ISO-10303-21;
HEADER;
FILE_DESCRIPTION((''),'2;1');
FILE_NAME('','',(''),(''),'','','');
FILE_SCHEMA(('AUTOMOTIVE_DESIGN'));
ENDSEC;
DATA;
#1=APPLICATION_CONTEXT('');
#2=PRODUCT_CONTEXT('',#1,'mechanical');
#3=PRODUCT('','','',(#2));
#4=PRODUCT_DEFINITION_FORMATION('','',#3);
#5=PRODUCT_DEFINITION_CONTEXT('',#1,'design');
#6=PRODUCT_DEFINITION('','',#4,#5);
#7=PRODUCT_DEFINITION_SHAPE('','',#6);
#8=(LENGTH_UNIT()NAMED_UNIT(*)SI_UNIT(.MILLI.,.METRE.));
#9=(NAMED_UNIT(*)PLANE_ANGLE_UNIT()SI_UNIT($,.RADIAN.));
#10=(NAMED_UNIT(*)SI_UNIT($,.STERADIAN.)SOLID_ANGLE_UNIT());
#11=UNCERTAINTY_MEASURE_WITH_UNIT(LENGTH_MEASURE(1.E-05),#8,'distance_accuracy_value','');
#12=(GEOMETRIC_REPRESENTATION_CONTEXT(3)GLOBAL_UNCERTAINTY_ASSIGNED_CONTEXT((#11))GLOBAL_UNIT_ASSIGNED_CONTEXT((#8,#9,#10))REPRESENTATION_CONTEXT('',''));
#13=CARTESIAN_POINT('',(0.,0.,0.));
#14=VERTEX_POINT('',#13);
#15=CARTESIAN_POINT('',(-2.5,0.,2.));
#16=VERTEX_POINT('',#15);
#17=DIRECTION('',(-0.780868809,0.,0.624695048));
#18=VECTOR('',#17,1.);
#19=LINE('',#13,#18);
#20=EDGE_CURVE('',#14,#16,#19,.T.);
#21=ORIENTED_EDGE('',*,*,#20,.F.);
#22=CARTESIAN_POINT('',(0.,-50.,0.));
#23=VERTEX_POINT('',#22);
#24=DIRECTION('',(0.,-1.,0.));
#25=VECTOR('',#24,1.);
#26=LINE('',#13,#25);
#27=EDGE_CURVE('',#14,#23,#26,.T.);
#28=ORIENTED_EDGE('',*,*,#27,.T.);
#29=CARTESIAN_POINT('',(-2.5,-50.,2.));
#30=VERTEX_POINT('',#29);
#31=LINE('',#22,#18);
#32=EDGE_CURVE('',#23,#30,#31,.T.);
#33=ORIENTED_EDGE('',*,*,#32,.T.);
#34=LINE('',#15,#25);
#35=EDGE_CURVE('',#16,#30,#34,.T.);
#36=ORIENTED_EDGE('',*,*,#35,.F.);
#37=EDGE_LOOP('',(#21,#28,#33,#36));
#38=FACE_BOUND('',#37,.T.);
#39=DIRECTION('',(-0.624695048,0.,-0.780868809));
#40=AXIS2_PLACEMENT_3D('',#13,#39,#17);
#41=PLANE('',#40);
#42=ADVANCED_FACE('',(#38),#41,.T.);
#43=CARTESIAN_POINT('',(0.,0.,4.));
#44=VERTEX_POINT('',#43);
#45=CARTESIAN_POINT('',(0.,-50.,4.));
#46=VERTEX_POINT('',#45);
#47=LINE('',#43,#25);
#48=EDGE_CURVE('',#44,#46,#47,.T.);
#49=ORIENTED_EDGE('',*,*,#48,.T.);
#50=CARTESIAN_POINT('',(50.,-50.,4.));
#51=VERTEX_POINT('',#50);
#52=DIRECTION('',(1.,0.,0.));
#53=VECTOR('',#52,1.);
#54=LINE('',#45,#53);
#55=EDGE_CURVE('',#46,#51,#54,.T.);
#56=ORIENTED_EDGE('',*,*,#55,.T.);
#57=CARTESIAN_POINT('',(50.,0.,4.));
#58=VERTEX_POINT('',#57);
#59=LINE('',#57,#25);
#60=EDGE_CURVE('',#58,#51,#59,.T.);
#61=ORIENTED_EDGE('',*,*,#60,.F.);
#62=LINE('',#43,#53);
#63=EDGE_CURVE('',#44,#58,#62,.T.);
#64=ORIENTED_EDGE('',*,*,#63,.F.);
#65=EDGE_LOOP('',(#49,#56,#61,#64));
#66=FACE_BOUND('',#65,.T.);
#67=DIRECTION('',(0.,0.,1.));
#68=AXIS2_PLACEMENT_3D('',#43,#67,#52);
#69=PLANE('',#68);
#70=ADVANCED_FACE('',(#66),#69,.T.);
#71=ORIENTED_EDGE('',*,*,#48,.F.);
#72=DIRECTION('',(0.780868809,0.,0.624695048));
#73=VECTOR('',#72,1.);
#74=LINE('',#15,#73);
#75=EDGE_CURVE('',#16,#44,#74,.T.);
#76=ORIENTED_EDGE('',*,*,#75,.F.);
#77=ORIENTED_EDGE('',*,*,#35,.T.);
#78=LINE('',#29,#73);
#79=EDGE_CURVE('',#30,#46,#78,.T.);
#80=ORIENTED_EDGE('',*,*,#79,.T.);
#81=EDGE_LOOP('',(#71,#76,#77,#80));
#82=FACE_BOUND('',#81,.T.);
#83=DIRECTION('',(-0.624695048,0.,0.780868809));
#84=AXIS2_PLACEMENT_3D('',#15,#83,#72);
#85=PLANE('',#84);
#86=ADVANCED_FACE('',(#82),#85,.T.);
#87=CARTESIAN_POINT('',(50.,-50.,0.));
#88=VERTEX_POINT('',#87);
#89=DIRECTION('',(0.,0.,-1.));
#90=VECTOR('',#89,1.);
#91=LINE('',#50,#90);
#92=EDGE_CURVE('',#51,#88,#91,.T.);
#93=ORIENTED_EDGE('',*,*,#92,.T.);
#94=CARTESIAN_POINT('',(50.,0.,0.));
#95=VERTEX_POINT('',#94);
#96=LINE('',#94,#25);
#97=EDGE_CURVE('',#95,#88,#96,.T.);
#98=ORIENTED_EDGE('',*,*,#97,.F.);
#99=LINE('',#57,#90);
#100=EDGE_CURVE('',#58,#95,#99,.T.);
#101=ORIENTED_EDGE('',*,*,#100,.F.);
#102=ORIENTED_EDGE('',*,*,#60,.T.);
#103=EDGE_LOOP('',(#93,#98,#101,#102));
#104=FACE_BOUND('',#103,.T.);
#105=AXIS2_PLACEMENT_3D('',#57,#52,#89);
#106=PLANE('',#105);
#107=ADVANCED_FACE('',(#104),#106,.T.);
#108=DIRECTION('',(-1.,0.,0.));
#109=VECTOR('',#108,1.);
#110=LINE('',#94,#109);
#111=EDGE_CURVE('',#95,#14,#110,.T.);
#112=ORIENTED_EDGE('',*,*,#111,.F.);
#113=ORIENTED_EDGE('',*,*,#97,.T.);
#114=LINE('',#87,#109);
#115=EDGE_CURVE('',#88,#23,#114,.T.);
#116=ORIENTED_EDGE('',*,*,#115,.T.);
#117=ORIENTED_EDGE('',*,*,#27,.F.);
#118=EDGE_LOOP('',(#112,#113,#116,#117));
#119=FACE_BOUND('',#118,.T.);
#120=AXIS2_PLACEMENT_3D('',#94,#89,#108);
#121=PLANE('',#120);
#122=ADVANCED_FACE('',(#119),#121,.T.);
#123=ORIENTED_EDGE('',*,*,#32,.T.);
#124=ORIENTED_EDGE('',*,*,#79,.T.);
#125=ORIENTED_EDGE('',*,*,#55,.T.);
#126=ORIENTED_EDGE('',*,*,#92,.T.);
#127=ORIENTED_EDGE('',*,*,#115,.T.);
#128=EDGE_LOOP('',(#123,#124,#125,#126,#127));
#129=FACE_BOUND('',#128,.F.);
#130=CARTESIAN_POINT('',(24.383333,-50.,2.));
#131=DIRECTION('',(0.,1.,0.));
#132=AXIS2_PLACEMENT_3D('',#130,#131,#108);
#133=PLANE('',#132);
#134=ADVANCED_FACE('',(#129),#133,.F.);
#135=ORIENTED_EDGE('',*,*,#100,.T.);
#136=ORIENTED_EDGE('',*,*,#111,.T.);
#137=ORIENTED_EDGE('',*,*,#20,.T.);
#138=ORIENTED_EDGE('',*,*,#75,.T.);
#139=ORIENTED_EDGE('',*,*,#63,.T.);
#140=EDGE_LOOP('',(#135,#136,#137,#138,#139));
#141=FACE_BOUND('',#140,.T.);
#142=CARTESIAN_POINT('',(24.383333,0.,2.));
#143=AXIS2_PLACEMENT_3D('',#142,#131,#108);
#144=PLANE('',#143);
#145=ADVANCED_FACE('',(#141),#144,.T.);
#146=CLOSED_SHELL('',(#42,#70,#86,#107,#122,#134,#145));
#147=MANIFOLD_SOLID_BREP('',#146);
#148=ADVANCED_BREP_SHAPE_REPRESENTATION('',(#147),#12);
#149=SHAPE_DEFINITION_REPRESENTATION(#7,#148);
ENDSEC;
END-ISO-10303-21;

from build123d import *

# Parameters (mm, degrees)
PAD_DEPTH = 50


with BuildPart() as part:
    # Sketch → Pad (new body)
    with BuildSketch(Plane.XZ):
        Polygon((0, 0), (-2.5, 2), (0, 4), (50, 4), (50, 0), align=None)
    extrude(amount=PAD_DEPTH)


solid = part.part
